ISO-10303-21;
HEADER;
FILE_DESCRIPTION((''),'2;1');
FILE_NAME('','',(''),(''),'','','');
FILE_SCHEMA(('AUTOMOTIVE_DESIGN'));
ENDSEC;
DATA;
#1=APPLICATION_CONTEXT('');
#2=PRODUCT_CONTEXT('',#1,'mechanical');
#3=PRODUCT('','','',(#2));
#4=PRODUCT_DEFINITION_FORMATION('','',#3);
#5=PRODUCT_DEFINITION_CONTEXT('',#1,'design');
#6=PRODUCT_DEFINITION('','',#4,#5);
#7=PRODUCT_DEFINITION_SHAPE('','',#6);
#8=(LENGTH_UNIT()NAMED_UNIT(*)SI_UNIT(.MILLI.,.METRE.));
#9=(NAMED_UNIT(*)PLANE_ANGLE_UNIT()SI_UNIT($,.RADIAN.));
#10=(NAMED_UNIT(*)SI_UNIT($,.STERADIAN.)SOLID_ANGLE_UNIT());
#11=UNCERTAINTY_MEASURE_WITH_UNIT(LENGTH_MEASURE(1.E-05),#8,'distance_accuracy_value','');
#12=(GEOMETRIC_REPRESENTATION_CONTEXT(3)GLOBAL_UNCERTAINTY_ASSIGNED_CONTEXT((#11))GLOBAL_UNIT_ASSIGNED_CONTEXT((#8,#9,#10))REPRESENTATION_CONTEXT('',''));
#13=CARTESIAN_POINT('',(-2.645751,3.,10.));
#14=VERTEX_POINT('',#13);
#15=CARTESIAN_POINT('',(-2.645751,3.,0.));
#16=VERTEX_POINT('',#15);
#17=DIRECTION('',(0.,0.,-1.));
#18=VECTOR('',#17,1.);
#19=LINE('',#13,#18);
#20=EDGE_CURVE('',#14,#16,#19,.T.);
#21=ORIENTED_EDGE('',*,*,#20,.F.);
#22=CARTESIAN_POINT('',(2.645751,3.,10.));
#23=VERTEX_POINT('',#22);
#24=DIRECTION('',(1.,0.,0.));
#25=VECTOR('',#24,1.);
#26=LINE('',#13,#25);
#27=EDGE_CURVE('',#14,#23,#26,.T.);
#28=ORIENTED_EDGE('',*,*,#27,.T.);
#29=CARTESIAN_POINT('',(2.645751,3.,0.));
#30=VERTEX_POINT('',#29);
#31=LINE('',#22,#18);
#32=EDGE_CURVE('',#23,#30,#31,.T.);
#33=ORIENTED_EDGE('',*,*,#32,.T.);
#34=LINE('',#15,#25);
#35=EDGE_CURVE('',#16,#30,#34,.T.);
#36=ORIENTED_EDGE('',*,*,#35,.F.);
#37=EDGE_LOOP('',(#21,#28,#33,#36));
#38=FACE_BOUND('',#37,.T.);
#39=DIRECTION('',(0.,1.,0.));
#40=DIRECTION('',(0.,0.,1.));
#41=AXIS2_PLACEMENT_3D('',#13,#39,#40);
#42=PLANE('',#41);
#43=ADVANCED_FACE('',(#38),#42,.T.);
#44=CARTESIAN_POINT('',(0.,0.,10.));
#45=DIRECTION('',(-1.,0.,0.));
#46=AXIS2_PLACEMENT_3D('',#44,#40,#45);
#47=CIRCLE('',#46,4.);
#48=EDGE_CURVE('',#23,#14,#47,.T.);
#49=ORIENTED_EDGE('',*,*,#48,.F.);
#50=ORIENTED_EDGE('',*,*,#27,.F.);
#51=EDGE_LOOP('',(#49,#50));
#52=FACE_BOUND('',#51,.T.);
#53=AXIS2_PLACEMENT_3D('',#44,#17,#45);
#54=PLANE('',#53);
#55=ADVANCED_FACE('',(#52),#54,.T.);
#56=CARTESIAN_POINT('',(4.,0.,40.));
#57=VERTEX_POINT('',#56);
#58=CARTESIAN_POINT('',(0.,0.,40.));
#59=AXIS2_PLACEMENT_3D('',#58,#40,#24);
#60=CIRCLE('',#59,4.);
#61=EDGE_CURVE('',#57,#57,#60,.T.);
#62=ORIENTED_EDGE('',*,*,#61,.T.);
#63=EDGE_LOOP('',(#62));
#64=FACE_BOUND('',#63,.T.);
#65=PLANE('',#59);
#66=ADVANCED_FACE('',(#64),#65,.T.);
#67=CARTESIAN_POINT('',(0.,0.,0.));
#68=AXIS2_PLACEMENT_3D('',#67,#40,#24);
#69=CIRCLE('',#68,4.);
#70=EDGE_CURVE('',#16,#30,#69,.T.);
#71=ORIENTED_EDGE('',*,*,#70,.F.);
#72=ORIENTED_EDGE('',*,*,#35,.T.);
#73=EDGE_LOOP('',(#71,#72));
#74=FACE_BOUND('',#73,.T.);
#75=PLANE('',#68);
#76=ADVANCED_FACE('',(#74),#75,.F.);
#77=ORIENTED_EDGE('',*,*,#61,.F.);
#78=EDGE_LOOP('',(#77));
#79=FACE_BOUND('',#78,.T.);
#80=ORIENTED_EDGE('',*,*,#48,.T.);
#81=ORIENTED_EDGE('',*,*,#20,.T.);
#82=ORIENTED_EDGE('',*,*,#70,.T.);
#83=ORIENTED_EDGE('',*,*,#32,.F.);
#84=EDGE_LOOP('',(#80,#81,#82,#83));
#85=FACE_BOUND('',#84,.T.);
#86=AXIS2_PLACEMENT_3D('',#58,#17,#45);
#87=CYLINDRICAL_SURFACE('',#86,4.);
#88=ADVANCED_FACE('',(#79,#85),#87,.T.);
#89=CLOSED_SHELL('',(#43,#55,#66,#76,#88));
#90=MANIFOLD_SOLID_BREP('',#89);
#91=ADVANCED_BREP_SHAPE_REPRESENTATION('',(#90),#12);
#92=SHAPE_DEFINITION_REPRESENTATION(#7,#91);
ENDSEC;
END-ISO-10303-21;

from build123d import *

# Parameters (mm, degrees)
SKETCH_1_R          = 4
EXTRUDE_1_DEPTH     = 40
CUT_EXTRUDE_1_DEPTH = 10


with BuildPart() as part:
    # 스케치1 → 보스-돌출1 (new body)
    with BuildSketch(Plane.XY):
        Circle(SKETCH_1_R)
    extrude(amount=EXTRUDE_1_DEPTH)

    # 스케치2 → 컷-돌출1 (cut)
    with BuildSketch(Plane.XY):
        with BuildLine():
            Line((-2.645751311, 3), (2.645751311, 3))
            ThreePointArc((2.645751311, 3), (0, 4), (-2.645751311, 3))
        make_face()
    extrude(amount=CUT_EXTRUDE_1_DEPTH, mode=Mode.SUBTRACT)


solid = part.part
